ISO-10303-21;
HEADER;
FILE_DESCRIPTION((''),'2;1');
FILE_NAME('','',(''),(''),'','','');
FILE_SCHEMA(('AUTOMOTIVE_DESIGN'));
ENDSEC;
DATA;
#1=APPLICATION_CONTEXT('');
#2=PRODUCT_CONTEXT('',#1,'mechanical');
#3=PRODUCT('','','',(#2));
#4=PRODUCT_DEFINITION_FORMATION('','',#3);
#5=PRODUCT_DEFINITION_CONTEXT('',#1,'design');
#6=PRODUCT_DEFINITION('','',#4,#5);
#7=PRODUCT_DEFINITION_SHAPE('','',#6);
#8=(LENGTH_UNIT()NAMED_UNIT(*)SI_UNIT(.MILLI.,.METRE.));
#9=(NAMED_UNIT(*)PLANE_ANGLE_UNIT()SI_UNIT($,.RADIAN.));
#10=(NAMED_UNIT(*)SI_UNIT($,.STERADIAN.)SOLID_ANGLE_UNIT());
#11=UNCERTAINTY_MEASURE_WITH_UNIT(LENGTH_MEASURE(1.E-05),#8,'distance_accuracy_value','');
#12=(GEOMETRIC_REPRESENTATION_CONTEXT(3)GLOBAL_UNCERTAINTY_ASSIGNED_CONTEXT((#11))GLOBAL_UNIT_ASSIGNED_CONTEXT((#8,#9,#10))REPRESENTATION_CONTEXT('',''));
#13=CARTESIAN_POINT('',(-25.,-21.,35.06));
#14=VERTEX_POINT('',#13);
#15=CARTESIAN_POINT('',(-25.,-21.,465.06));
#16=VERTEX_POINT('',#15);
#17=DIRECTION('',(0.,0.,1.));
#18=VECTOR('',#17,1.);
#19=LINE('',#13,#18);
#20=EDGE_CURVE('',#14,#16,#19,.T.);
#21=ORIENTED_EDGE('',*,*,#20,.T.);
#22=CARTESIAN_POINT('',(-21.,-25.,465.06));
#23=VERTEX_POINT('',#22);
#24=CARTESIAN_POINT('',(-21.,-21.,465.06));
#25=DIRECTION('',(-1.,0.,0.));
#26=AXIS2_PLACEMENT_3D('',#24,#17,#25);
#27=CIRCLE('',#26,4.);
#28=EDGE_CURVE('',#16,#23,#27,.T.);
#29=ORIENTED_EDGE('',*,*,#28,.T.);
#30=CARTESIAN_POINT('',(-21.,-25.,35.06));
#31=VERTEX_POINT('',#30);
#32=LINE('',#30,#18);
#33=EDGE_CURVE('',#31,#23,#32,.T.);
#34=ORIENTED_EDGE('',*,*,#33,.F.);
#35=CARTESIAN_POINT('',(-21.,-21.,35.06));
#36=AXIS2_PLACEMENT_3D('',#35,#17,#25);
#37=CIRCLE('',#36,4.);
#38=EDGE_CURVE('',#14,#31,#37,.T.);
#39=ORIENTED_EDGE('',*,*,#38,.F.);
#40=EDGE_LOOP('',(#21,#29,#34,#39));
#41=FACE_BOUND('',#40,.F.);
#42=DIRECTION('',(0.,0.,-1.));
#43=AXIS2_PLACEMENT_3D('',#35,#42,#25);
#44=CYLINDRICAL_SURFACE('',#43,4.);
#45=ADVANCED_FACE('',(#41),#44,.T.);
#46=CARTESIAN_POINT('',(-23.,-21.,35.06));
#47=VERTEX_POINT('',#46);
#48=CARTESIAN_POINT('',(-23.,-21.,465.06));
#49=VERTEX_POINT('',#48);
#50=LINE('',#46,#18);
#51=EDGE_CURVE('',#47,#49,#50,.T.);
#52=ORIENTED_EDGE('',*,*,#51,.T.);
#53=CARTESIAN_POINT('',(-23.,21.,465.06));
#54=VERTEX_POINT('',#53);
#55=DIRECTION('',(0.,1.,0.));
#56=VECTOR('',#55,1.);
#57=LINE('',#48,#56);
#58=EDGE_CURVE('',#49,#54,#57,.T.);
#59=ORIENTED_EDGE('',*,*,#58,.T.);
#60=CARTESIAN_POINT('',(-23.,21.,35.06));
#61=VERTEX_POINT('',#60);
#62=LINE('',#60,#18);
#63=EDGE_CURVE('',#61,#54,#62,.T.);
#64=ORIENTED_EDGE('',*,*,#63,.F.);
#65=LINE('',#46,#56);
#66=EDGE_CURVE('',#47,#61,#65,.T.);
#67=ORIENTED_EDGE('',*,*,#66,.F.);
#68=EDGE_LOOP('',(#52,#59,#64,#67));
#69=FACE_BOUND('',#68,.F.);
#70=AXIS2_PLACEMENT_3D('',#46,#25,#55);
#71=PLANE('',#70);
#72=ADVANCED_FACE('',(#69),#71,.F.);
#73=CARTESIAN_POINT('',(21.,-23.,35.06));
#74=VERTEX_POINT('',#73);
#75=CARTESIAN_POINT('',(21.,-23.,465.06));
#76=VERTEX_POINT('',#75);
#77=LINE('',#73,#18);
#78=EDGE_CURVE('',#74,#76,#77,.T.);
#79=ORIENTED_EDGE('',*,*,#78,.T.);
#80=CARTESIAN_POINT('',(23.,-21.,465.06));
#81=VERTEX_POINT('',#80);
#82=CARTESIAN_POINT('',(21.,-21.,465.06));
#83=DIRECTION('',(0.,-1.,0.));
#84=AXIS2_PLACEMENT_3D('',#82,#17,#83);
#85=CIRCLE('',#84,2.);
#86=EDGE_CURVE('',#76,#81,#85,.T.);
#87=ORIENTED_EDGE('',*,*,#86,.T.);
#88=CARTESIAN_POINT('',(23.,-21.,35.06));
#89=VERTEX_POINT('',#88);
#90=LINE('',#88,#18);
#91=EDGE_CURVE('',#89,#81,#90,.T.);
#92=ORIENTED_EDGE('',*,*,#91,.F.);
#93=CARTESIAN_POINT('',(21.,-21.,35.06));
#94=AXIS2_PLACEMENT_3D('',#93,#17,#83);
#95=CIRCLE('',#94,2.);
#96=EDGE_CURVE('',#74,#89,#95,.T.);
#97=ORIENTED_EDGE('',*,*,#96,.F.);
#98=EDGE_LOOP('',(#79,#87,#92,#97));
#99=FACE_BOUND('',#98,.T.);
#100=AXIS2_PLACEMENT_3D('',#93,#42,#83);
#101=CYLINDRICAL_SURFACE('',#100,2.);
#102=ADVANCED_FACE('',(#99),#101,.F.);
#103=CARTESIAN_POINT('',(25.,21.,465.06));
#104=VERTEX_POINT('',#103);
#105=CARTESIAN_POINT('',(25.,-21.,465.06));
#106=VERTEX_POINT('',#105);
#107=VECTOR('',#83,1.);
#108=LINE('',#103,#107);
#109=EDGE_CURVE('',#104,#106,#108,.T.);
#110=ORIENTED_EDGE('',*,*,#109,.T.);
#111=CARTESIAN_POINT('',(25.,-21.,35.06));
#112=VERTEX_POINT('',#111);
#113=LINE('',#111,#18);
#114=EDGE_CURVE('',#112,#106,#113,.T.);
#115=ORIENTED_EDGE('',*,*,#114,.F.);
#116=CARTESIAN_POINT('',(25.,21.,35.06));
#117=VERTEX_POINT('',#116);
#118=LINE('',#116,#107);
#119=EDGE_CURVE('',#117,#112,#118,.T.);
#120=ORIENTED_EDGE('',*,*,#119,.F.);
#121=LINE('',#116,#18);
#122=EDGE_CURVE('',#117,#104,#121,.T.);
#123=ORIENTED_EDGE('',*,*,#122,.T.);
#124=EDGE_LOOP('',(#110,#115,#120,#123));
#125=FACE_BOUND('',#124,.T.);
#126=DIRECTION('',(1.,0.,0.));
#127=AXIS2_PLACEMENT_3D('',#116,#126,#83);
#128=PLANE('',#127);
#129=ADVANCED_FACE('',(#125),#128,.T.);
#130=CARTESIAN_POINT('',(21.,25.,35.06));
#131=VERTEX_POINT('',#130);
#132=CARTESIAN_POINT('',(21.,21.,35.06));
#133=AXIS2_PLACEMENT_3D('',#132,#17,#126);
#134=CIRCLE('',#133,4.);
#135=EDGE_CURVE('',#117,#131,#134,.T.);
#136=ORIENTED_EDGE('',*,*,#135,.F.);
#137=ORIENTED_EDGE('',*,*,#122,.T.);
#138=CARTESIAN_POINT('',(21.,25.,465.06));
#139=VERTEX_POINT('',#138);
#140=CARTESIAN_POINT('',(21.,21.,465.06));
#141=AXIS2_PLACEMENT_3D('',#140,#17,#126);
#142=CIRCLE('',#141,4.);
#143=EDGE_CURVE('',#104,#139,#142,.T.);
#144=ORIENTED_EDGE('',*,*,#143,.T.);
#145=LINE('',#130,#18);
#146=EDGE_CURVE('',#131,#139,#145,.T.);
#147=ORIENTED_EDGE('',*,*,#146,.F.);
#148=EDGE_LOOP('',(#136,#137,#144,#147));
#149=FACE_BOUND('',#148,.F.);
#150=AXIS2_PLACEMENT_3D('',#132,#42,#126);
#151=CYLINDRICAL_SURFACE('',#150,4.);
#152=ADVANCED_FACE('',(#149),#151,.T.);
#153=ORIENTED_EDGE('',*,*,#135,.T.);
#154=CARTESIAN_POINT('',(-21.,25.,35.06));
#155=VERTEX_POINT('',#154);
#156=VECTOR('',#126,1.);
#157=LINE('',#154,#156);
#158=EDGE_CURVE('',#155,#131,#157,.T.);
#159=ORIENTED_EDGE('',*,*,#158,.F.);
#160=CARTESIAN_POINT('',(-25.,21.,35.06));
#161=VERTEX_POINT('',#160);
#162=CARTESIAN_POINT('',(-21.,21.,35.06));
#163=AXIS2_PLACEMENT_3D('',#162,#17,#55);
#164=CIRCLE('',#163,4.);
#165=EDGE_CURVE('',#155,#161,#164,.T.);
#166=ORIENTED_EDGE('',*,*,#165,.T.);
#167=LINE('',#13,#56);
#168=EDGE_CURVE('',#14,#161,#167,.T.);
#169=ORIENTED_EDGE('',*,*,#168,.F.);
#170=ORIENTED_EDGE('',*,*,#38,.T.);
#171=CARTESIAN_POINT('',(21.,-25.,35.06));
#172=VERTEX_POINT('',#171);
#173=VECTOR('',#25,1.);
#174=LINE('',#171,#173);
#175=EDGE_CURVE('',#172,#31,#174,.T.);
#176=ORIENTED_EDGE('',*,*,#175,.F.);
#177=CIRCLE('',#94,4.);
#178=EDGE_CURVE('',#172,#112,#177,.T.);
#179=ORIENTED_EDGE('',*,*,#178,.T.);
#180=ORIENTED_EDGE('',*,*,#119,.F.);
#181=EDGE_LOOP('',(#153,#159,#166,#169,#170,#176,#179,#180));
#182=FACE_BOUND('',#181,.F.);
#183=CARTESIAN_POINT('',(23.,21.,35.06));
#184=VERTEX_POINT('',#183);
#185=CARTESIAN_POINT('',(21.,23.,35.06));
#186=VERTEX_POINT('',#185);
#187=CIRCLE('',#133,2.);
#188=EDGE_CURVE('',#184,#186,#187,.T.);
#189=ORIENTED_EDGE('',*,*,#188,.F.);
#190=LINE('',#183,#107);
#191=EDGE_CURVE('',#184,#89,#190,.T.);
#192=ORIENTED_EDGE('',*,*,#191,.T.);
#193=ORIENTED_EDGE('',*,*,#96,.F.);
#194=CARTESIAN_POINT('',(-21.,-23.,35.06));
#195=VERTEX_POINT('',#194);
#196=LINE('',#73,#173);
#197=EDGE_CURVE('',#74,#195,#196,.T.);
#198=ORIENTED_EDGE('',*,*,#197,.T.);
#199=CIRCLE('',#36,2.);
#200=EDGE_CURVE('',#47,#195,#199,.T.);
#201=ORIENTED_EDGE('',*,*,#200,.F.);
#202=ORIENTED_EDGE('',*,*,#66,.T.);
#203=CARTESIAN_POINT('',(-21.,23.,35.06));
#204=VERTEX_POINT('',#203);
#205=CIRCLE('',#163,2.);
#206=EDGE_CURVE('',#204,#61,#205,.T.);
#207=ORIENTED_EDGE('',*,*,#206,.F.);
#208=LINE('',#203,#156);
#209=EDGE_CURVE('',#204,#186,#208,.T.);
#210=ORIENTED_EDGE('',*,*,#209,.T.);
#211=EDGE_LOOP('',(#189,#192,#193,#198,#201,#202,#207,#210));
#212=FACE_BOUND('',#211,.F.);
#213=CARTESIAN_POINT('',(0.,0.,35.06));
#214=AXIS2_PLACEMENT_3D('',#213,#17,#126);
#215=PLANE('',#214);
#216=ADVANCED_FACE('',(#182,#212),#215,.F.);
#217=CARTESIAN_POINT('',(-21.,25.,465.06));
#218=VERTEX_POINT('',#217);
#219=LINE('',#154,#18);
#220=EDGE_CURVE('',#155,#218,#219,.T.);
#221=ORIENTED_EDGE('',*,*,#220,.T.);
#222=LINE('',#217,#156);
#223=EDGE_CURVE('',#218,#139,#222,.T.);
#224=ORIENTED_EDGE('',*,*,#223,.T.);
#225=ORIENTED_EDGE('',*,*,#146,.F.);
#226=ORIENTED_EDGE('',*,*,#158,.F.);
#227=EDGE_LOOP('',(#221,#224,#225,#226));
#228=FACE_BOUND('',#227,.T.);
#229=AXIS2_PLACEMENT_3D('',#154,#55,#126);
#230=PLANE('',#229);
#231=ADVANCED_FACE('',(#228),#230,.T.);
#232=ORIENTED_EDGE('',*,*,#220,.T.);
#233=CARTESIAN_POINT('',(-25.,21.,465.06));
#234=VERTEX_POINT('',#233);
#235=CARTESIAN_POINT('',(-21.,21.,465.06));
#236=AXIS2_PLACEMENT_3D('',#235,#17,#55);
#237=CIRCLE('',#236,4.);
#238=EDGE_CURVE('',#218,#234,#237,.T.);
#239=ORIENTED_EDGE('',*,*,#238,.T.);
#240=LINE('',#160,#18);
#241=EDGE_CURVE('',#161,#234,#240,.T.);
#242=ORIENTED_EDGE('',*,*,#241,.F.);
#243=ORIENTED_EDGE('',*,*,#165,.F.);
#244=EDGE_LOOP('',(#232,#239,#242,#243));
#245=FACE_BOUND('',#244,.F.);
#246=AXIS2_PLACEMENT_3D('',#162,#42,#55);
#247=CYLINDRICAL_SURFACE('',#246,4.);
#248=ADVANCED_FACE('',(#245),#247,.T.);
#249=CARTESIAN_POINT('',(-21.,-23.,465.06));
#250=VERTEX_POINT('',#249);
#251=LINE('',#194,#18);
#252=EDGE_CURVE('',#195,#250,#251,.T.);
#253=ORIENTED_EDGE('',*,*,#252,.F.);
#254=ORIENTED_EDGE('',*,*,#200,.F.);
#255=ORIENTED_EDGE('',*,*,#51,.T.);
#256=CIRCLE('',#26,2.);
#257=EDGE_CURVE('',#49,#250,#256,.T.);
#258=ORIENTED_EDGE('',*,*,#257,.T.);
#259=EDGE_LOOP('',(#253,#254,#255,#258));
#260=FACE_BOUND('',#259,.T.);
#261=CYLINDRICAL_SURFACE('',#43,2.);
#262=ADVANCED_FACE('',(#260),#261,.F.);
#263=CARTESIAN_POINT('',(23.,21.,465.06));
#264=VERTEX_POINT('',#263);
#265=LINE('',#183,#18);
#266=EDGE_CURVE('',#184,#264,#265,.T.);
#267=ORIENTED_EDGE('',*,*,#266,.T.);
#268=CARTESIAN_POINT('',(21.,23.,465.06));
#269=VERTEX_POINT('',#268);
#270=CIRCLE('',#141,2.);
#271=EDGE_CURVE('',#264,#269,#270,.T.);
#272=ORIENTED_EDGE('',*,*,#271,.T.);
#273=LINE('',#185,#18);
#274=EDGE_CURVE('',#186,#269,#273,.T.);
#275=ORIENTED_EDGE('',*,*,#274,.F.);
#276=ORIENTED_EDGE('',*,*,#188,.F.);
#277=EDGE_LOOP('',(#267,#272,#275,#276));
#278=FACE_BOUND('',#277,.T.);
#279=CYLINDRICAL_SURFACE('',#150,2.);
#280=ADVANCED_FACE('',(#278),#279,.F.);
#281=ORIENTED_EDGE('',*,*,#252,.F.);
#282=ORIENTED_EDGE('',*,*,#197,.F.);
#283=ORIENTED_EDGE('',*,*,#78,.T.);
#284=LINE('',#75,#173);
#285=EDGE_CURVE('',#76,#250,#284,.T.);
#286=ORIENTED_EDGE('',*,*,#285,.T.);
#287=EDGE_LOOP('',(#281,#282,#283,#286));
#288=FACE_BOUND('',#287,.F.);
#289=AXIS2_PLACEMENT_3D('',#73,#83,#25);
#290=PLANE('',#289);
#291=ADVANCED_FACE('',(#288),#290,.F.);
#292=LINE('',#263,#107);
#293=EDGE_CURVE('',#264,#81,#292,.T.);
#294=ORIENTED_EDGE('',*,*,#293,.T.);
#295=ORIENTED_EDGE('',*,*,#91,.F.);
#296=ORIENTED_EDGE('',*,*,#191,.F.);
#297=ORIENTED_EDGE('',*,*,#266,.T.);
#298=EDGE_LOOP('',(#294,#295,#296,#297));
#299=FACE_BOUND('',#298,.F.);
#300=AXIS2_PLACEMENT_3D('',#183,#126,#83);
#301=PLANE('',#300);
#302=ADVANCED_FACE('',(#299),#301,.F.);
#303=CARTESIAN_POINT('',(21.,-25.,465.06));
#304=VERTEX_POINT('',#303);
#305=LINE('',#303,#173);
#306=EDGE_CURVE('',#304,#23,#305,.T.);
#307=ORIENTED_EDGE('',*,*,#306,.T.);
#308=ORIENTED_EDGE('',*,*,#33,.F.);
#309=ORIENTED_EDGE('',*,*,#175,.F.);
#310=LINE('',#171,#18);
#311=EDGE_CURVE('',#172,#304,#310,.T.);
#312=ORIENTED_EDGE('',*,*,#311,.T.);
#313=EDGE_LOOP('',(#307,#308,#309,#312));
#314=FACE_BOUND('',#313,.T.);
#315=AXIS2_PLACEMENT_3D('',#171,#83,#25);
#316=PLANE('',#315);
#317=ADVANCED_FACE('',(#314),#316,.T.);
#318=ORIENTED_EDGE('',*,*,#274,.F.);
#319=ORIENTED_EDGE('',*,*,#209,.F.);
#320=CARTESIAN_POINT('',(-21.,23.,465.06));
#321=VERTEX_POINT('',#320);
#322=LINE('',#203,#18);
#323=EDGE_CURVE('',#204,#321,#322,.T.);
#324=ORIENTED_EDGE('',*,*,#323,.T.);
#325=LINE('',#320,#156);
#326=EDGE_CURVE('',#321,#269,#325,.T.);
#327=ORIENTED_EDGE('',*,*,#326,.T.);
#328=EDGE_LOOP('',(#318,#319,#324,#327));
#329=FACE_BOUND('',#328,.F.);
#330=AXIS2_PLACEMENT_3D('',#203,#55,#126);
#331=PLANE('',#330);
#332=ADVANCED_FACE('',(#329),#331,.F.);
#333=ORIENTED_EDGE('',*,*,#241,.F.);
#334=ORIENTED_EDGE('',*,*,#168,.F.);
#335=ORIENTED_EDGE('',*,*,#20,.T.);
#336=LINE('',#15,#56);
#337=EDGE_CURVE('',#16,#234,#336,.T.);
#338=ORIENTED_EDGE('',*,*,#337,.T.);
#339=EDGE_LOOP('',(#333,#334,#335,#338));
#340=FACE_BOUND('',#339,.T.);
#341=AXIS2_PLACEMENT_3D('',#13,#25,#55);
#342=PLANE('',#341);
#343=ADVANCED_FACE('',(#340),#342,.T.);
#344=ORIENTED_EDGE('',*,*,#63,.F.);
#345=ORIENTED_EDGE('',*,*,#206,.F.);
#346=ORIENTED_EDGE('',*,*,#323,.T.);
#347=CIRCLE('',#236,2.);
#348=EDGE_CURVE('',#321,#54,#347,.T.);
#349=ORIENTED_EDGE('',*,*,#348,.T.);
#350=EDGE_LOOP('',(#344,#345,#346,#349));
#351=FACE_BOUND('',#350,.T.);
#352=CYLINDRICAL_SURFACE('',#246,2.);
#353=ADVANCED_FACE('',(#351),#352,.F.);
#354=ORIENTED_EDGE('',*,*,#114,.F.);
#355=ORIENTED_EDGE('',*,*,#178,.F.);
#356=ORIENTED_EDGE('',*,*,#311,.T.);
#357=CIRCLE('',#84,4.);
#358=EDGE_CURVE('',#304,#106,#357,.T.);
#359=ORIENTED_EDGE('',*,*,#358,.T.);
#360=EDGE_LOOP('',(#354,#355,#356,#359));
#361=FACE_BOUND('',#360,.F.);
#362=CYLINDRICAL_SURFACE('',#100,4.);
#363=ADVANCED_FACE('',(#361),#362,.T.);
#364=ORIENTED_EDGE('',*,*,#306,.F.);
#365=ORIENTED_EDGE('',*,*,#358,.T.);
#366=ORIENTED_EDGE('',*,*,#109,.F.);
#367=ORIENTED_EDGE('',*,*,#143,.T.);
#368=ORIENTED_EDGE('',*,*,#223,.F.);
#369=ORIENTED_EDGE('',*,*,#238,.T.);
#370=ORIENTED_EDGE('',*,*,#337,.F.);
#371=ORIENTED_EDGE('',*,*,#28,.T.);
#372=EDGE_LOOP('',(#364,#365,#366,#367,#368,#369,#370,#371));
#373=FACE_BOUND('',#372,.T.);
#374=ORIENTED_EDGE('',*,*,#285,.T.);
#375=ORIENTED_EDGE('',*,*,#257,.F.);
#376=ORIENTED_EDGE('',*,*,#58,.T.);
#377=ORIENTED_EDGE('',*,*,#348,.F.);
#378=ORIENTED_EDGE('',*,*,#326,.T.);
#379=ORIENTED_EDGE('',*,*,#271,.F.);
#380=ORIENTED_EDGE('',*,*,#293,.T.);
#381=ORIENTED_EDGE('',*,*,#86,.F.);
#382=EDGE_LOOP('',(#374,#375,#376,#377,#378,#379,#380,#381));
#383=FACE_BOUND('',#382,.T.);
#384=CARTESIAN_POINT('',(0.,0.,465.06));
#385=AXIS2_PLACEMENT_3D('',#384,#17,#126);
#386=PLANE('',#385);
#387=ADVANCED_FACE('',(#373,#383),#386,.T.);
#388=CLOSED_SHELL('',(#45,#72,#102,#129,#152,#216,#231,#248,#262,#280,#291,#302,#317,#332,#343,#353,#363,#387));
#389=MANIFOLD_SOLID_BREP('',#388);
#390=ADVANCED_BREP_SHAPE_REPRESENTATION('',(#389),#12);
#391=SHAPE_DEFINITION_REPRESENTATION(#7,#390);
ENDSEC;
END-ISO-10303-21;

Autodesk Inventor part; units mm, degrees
ref_plane "Start Plane" through (0, 0, 35.06) normal (0, 0, 1) x (1, 0, 0)
ref_plane "End Plane" through (0, 0, 465.06) normal (0, 0, 1) x (1, 0, 0)
sketch "Sketch" plane through (0, 0, 0) normal (0, 0, 1) x (1, 0, 0)
  line L0 (-25, -21) -> (-25, 21)
  line L1 (-21, 25) -> (21, 25)
  line L2 (25, 21) -> (25, -21)
  line L3 (21, -25) -> (-21, -25)
  arc A0 (-25, -21) -> (-21, -25) centre (-21, -21) ccw
  arc A1 (25, 21) -> (21, 25) centre (21, 21) ccw
  arc A2 (-21, 25) -> (-25, 21) centre (-21, 21) ccw
  arc A3 (21, -25) -> (25, -21) centre (21, -21) ccw
  arc A4 (-21, 23) -> (-23, 21) centre (-21, 21) ccw
  line L4 (-21, 23) -> (21, 23)
  arc A5 (23, 21) -> (21, 23) centre (21, 21) ccw
  line L5 (23, 21) -> (23, -21)
  arc A6 (21, -23) -> (23, -21) centre (21, -21) ccw
  line L6 (21, -23) -> (-21, -23)
  arc A7 (-23, -21) -> (-21, -23) centre (-21, -21) ccw
  line L7 (-23, -21) -> (-23, 21)
  line L8 (0, 36.1598) -> (0, -36.1598) construction
  line L9 (-36.1598, 0) -> (36.1598, 0) construction
  dimension "d7" = 4
  dimension "d9" = 50
  dimension "d11" = 50
  dimension "d12" = 2
  dimension "d15" = 25
  dimension "d16" = 25
extrude "Body" add sketch "Sketch" along normal up to surface (430 mm away) from surface at 35.06
sketch "Sketch3" plane through (0, 0, 0) normal (0, 0, 1) x (1, 0, 0)
  line L0 (0, 0) -> (10, 0)
ref_plane "Work Plane3" through (0, 0, 0) normal (0, -1, 0) x (1, 0, 0)
sketch "Sketch4" plane through (0, 0, 0) normal (0, -1, 0) x (1, 0, 0)
  line L0 (-2, 35.06) -> (12, 35.06)
  line L1 (-2, 465.06) -> (12, 465.06)
  dimension "d18" = 430
ref_plane "Work Plane4" through (-405, 29, 465.06) normal (0, 0, 1) x (1, 0, 0)
split "Split1" plane through (-405, 29, 465.06) removes the side toward (0, 0, 1)
ref_plane "Work Plane5" through (1905, 29, 35.06) normal (0, 0, -1) x (-1, 0, 0)
split "Split2" plane through (1905, 29, 35.06) removes the side toward (0, 0, -1)
equation "\"d7\" = G_IR"
equation "\"d9\" = G_W"
equation "\"d11\" = G_H"
equation "\"d12\" = G_T"
equation "\"d15\" = 0.5 * d9"
equation "\"d16\" = 0.5 * d11"
equation "\"d3\" = G_L"
equation "\"G_W\" = 50"
equation "\"G_H\" = 50"
equation "\"G_T\" = 2"
equation "\"G_IR\" = 4"
equation "\"G_L\" = d18"
equation "\"G_OFFSET_START\" = -35.05997"
equation "\"G_OFFSET_END\" = -34.94003"
equation "\"d13\" = -G_OFFSET_START"
equation "\"d14\" = G_OFFSET_END + B_L"
equation "\"B_L\" = 500"
properties part number "ISO 10799-2 - 50x50x2 - 430" material "Steel, Galvanized"
